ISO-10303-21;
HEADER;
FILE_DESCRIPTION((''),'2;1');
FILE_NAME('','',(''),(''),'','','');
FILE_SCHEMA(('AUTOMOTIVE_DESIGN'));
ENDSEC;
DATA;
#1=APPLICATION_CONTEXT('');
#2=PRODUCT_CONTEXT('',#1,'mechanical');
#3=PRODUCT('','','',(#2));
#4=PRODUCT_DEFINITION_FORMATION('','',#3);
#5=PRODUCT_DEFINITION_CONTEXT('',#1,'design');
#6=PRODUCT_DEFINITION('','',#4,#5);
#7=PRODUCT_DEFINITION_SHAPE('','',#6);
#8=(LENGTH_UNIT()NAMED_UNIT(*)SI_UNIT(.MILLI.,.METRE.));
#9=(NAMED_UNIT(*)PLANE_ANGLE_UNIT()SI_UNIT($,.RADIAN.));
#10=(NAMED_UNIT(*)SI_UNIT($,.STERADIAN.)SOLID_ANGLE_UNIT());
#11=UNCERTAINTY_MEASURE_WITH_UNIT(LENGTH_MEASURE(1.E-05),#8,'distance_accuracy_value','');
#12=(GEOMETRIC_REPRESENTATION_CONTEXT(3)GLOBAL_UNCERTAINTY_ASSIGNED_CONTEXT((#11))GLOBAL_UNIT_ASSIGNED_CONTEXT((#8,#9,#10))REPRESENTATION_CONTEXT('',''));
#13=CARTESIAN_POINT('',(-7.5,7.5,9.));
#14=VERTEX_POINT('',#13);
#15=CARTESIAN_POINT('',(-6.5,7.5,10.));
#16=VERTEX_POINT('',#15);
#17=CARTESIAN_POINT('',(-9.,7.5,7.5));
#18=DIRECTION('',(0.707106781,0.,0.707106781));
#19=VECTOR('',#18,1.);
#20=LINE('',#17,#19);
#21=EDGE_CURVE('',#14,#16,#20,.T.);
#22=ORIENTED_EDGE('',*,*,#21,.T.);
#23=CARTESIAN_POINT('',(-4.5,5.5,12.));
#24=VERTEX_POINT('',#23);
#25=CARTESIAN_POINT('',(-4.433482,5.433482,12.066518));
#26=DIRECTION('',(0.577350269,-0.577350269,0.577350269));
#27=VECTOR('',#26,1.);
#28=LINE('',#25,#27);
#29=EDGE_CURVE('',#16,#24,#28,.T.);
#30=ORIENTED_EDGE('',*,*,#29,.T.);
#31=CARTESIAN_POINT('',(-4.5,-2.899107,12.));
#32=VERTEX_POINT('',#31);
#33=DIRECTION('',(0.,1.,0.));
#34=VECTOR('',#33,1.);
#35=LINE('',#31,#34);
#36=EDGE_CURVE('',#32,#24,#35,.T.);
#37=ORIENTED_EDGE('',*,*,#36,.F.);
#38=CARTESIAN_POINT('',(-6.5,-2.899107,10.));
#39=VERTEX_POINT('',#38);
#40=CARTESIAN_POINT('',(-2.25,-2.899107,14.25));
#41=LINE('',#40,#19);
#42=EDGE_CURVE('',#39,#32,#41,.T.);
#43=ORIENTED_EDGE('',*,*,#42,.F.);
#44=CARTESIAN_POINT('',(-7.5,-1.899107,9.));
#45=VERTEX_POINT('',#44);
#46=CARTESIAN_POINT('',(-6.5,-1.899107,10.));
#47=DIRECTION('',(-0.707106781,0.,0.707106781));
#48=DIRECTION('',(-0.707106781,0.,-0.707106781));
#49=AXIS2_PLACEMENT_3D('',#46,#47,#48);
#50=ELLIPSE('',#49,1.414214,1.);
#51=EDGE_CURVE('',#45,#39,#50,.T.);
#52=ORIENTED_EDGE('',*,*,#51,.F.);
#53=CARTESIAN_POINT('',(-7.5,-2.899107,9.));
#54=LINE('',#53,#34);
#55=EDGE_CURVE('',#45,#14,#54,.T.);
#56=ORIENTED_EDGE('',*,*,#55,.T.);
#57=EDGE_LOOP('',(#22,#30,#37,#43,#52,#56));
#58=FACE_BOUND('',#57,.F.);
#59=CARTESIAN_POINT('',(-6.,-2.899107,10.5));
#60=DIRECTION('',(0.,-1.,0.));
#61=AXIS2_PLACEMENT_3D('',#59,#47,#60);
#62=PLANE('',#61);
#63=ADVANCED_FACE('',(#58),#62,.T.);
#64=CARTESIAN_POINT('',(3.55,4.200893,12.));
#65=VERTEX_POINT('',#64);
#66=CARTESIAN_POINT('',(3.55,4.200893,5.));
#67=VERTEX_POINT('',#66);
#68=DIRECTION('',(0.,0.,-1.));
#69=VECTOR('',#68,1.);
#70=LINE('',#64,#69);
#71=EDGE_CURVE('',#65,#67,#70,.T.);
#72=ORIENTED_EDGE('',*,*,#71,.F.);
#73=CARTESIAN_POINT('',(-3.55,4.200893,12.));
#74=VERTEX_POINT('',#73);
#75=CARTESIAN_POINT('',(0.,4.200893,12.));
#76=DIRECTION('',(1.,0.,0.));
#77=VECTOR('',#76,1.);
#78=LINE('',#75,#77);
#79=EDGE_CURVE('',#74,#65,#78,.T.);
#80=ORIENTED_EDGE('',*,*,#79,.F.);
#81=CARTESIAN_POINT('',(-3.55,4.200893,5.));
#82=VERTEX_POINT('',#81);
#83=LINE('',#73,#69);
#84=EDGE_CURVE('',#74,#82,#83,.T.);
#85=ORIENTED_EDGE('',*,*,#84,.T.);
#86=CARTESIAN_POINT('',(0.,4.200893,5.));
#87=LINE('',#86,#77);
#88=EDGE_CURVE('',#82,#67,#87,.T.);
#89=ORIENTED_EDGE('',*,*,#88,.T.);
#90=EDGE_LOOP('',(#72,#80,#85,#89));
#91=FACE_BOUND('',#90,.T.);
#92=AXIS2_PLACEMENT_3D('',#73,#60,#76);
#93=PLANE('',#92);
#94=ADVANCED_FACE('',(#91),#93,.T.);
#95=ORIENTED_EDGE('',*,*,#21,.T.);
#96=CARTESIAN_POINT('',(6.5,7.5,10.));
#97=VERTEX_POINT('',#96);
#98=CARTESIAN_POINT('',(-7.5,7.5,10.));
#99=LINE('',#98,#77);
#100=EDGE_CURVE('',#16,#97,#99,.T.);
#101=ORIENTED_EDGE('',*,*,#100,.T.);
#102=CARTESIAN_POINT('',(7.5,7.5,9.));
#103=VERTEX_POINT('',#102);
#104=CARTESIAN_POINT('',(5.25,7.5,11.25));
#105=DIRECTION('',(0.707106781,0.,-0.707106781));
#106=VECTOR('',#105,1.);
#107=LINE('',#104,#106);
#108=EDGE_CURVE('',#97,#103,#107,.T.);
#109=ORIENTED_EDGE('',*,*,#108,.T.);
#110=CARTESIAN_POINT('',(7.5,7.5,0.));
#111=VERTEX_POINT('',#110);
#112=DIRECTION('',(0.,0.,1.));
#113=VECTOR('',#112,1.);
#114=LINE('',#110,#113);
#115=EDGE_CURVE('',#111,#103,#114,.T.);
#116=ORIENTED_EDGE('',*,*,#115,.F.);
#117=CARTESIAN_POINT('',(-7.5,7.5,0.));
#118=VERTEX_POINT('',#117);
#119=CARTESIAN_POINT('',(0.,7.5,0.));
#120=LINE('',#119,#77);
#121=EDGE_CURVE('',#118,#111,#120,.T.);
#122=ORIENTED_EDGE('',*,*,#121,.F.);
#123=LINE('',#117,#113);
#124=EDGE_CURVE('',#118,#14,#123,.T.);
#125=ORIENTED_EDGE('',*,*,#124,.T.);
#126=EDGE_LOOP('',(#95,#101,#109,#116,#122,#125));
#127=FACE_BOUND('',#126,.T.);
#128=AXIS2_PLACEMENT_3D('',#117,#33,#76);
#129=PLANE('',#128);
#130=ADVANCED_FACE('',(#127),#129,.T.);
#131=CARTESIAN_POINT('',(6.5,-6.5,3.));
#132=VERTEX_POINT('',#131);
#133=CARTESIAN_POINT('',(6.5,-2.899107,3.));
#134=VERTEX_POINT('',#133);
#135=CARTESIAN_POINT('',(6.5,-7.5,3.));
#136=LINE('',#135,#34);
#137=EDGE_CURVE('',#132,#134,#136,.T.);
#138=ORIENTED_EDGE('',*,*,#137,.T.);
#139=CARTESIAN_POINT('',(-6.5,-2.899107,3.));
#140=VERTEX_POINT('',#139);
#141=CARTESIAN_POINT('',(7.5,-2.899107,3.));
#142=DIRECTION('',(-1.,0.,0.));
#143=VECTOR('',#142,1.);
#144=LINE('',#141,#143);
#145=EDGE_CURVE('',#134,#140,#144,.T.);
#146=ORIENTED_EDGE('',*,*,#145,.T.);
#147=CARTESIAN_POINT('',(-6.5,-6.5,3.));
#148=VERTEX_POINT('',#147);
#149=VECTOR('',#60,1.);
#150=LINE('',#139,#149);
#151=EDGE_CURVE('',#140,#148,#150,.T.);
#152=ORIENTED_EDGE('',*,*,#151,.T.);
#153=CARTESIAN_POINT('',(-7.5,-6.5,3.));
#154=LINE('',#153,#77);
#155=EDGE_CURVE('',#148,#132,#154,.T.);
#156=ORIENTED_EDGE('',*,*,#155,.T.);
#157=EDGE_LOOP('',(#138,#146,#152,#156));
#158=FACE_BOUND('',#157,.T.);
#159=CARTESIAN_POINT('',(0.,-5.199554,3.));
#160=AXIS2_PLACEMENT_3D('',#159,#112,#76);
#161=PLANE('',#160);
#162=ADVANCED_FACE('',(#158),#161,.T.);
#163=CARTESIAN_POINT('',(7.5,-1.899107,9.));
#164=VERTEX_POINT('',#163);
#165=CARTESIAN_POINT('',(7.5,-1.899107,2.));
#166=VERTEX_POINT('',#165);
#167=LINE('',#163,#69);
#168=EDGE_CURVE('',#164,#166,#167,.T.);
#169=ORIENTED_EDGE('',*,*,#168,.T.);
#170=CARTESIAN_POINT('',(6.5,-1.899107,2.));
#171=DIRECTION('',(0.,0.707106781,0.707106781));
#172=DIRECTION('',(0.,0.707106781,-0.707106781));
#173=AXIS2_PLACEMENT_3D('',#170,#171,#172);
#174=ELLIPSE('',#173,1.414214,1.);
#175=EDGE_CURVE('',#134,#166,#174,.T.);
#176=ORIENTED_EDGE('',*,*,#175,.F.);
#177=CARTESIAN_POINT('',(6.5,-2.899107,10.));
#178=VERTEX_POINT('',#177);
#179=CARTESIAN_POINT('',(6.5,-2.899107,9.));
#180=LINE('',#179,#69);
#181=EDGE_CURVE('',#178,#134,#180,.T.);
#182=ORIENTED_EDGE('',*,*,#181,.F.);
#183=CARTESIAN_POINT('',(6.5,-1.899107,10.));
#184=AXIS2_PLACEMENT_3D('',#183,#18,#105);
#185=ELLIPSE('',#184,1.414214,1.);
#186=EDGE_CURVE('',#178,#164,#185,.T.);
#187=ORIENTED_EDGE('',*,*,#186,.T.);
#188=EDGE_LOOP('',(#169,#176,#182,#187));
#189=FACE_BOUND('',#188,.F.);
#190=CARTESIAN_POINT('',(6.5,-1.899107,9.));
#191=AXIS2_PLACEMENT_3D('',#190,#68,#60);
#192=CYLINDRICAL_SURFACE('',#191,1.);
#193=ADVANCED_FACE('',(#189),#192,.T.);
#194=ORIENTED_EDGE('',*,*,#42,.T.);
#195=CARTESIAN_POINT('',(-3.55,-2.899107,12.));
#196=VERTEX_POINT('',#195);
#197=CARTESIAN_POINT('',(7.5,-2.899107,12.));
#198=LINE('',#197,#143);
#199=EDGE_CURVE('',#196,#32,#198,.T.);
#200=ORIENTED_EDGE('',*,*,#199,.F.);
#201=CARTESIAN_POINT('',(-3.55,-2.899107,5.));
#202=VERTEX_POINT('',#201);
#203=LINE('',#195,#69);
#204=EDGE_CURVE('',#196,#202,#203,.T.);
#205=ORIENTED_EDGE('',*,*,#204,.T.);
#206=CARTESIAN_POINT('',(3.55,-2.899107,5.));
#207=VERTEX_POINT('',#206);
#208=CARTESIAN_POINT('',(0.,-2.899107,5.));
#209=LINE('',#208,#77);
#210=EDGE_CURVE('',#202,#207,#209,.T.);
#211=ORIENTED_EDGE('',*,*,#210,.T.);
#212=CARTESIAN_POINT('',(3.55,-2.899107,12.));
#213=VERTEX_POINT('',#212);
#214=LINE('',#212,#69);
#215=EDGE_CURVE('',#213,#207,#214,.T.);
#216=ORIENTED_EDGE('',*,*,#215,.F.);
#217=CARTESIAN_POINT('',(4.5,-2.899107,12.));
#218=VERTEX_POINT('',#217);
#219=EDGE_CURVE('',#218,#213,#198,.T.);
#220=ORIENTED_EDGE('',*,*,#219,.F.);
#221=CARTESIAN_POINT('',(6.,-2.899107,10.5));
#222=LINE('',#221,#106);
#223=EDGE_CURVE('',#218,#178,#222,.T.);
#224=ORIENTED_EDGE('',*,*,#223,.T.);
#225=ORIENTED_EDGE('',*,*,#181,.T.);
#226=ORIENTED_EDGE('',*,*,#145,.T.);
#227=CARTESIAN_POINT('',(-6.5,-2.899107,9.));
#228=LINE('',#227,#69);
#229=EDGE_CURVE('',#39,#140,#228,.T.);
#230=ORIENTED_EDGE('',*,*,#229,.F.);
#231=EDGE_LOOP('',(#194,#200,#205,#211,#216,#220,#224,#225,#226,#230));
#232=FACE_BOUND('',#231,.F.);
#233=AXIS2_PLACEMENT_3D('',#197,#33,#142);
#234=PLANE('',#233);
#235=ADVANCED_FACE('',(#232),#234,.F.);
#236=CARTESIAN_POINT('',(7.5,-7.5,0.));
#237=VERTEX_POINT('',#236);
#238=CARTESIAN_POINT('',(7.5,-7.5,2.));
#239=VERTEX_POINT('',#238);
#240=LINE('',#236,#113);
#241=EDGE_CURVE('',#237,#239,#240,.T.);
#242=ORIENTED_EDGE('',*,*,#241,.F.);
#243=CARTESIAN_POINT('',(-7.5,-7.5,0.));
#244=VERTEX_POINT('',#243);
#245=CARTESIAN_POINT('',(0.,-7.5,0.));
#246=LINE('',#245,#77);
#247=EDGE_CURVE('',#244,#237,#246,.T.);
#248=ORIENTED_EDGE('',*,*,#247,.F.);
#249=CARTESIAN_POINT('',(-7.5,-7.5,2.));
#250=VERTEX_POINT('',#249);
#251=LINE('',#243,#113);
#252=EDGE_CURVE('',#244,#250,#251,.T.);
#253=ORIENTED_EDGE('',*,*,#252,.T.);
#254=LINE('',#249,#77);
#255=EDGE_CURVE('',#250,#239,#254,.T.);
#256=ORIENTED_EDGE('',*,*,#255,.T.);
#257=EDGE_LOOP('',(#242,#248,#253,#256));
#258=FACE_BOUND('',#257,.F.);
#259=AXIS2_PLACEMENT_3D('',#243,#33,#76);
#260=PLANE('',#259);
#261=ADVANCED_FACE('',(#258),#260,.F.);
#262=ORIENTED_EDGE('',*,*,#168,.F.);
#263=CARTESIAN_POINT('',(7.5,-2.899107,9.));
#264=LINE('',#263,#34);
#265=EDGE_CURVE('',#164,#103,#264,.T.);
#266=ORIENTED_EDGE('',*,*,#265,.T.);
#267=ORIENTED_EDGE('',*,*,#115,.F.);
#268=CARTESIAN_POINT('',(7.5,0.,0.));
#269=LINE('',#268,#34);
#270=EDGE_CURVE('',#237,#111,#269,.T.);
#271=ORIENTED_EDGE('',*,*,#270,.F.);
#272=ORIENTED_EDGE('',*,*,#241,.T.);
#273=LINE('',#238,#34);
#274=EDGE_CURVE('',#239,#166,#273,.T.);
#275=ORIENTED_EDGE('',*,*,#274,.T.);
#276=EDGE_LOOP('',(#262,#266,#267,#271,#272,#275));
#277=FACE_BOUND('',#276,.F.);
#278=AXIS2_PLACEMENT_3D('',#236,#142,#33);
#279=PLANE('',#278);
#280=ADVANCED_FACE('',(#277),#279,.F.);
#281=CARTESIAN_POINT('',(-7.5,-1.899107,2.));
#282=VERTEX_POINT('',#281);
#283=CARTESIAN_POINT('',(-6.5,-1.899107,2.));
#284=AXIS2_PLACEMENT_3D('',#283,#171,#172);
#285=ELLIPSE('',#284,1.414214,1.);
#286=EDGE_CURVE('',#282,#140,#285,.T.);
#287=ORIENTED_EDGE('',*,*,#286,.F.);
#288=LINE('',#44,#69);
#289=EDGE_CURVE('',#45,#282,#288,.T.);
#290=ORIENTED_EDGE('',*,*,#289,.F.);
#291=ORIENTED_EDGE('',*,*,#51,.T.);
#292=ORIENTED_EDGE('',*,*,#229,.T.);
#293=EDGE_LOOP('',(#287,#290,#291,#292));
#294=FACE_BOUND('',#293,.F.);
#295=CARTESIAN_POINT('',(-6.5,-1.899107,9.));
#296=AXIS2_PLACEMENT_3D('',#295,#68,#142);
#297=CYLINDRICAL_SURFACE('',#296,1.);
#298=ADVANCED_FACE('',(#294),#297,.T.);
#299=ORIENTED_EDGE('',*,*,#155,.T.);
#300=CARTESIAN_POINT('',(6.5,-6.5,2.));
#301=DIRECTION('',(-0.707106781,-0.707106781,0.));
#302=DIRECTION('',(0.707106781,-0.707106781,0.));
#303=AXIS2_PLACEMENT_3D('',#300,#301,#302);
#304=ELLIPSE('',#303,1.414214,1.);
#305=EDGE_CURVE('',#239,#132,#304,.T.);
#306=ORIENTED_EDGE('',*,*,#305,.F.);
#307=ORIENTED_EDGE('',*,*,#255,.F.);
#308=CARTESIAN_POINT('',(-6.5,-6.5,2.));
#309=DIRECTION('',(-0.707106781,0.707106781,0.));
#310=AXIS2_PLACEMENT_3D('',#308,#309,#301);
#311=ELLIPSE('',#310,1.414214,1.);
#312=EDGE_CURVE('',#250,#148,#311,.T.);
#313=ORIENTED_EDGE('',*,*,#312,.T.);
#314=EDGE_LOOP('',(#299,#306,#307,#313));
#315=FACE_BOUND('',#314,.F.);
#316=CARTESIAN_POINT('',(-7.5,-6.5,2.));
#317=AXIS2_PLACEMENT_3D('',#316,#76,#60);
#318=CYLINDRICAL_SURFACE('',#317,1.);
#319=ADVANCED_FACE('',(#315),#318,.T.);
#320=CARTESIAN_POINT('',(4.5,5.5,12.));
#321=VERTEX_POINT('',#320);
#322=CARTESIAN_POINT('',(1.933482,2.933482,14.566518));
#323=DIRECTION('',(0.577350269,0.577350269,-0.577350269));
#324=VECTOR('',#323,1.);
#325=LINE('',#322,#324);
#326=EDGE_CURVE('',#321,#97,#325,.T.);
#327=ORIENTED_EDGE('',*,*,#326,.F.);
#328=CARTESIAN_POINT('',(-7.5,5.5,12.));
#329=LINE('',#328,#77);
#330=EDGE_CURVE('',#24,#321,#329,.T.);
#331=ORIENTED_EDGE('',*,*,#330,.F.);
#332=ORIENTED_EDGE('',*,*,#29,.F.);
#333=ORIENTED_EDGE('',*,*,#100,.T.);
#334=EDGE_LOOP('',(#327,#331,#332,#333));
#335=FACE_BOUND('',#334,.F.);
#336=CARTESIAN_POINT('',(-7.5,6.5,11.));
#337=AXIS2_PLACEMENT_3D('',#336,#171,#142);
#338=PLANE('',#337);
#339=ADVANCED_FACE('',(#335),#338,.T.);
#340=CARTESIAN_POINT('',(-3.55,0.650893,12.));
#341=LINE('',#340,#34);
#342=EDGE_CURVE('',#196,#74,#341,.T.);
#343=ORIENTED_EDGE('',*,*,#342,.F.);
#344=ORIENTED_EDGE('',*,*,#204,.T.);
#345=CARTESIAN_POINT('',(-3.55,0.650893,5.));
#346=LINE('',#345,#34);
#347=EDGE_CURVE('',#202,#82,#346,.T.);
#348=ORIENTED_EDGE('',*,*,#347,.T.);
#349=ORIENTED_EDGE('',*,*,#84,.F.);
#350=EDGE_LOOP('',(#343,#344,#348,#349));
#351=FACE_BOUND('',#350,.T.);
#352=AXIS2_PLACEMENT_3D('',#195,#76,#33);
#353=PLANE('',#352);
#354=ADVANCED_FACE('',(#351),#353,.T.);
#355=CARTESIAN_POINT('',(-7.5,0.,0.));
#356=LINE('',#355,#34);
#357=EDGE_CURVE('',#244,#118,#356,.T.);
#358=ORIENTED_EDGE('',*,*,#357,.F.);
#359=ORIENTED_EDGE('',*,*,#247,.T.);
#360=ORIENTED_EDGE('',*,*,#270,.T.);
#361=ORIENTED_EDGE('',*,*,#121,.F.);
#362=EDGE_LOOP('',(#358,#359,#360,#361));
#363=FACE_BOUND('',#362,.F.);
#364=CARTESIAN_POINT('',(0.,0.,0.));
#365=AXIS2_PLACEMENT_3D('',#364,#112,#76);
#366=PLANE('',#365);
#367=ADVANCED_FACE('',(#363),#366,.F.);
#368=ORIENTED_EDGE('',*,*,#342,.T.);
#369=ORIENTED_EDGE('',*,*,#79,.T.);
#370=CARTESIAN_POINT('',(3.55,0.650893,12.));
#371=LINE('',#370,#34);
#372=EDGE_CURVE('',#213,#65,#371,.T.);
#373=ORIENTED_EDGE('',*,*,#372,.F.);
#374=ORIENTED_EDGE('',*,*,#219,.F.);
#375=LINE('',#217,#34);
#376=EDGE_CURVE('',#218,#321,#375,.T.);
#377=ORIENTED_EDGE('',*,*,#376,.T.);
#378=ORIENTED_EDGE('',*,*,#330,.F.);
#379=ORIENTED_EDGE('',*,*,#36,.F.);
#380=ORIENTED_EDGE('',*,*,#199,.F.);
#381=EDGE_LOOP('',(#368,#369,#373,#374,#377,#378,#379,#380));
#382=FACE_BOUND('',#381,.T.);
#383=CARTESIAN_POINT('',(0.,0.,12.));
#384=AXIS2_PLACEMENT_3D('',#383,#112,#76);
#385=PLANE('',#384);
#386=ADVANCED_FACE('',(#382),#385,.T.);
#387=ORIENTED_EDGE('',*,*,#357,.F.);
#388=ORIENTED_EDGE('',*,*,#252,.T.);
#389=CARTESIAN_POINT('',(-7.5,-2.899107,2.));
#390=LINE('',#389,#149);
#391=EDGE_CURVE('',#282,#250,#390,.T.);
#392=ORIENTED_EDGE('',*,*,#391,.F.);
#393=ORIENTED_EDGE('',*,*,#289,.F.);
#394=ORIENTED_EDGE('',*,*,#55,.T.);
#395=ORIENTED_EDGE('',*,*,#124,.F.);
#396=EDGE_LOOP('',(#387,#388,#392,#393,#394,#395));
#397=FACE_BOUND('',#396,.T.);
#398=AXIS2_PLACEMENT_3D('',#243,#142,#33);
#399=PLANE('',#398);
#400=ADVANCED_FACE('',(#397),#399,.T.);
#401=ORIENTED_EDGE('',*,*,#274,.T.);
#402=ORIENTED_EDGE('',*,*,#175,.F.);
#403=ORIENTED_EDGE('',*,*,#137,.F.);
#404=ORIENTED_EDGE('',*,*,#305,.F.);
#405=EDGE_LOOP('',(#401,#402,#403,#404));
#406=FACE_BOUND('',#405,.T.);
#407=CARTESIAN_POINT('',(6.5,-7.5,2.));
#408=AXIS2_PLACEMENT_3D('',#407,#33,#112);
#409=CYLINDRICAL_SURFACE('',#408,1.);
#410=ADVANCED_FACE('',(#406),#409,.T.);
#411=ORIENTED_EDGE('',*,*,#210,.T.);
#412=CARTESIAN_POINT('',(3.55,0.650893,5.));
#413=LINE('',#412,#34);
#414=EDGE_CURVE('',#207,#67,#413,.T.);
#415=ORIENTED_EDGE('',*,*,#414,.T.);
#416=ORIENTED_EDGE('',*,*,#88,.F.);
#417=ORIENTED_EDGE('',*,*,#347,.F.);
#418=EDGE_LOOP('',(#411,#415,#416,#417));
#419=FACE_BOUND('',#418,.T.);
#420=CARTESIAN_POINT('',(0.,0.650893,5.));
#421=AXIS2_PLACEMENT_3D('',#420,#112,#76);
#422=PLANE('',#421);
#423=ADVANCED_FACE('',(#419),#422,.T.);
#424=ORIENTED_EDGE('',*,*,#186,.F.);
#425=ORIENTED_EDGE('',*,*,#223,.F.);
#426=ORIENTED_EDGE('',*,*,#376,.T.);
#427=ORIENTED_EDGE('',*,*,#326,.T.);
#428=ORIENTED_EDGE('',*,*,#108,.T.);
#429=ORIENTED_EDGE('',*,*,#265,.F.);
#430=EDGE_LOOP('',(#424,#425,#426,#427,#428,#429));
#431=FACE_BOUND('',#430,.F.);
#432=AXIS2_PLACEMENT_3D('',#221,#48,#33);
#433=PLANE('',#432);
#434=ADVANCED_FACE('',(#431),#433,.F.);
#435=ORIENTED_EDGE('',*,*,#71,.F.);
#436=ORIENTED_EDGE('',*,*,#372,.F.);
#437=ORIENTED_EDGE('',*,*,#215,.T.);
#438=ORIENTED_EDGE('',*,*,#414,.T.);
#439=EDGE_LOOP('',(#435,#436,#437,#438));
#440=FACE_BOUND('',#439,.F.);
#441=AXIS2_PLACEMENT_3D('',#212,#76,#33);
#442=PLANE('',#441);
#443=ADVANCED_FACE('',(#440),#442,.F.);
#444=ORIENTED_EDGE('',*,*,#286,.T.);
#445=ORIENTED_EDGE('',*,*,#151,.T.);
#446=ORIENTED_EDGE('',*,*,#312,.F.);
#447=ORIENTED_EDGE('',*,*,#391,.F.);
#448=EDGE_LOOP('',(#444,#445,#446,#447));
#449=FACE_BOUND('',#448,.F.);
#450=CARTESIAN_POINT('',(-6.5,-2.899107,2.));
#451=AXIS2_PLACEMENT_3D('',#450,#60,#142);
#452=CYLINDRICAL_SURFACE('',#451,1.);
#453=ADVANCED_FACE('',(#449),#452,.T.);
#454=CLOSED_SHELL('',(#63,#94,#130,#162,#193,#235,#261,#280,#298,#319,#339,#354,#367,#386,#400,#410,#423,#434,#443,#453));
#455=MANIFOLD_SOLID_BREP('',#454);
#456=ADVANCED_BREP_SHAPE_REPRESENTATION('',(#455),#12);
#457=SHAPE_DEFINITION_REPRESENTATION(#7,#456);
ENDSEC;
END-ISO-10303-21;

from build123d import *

# Parameters (mm, degrees)
SKETCH_W        = 15
SKETCH_H        = 15
PAD_DEPTH       = 12
SKETCH001_W     = 7.1
SKETCH001_H     = 7.1
POCKET_DEPTH    = 7
POCKET001_DEPTH = 9
CHAMFER_SIZE    = 2
CHAMFER001_SIZE = 3
FILLET_R        = 1


with BuildPart() as part:
    # Sketch → Pad (new body)
    with BuildSketch(Plane.XY):
        Rectangle(SKETCH_W, SKETCH_H)
    extrude(amount=PAD_DEPTH)

    # Sketch001 (on Face6 of Pad) → Pocket (cut)
    with BuildSketch(Plane.XY.offset(12)):
        with Locations((0, 0.650893)):
            Rectangle(SKETCH001_W, SKETCH001_H)
    extrude(amount=-POCKET_DEPTH, mode=Mode.SUBTRACT)

    # Sketch002 (on Face5 of Pocket) → Pocket001 (cut)
    with BuildSketch(Plane.XY.offset(12)):
        Polygon((-3.55, -2.899107), (-7.5, -2.899107), (-7.5, -7.5), (7.5, -7.5), (7.5, -2.899107), (3.55, -2.899107), align=None)
    extrude(amount=-POCKET001_DEPTH, mode=Mode.SUBTRACT)

    # Chamfer
    chamfer_edges = [part.edges().sort_by_distance(p)[0] for p in [
        (0, 7.5, 12),
    ]]
    chamfer(chamfer_edges, length=CHAMFER_SIZE)

    # Chamfer001
    chamfer001_edges = [part.edges().sort_by_distance(p)[0] for p in [
        (-7.5, 1.300446, 12),
        (7.5, 1.300446, 12),
    ]]
    chamfer(chamfer001_edges, length=CHAMFER001_SIZE)

    # Fillet
    fillet_edges = [part.edges().sort_by_distance(p)[0] for p in [
        (7.5, -2.899107, 6),
        (-7.5, -2.899107, 6),
        (-7.5, -5.199554, 3),
        (0, -7.5, 3),
        (7.5, -5.199554, 3),
    ]]
    fillet(fillet_edges, radius=FILLET_R)


solid = part.part
